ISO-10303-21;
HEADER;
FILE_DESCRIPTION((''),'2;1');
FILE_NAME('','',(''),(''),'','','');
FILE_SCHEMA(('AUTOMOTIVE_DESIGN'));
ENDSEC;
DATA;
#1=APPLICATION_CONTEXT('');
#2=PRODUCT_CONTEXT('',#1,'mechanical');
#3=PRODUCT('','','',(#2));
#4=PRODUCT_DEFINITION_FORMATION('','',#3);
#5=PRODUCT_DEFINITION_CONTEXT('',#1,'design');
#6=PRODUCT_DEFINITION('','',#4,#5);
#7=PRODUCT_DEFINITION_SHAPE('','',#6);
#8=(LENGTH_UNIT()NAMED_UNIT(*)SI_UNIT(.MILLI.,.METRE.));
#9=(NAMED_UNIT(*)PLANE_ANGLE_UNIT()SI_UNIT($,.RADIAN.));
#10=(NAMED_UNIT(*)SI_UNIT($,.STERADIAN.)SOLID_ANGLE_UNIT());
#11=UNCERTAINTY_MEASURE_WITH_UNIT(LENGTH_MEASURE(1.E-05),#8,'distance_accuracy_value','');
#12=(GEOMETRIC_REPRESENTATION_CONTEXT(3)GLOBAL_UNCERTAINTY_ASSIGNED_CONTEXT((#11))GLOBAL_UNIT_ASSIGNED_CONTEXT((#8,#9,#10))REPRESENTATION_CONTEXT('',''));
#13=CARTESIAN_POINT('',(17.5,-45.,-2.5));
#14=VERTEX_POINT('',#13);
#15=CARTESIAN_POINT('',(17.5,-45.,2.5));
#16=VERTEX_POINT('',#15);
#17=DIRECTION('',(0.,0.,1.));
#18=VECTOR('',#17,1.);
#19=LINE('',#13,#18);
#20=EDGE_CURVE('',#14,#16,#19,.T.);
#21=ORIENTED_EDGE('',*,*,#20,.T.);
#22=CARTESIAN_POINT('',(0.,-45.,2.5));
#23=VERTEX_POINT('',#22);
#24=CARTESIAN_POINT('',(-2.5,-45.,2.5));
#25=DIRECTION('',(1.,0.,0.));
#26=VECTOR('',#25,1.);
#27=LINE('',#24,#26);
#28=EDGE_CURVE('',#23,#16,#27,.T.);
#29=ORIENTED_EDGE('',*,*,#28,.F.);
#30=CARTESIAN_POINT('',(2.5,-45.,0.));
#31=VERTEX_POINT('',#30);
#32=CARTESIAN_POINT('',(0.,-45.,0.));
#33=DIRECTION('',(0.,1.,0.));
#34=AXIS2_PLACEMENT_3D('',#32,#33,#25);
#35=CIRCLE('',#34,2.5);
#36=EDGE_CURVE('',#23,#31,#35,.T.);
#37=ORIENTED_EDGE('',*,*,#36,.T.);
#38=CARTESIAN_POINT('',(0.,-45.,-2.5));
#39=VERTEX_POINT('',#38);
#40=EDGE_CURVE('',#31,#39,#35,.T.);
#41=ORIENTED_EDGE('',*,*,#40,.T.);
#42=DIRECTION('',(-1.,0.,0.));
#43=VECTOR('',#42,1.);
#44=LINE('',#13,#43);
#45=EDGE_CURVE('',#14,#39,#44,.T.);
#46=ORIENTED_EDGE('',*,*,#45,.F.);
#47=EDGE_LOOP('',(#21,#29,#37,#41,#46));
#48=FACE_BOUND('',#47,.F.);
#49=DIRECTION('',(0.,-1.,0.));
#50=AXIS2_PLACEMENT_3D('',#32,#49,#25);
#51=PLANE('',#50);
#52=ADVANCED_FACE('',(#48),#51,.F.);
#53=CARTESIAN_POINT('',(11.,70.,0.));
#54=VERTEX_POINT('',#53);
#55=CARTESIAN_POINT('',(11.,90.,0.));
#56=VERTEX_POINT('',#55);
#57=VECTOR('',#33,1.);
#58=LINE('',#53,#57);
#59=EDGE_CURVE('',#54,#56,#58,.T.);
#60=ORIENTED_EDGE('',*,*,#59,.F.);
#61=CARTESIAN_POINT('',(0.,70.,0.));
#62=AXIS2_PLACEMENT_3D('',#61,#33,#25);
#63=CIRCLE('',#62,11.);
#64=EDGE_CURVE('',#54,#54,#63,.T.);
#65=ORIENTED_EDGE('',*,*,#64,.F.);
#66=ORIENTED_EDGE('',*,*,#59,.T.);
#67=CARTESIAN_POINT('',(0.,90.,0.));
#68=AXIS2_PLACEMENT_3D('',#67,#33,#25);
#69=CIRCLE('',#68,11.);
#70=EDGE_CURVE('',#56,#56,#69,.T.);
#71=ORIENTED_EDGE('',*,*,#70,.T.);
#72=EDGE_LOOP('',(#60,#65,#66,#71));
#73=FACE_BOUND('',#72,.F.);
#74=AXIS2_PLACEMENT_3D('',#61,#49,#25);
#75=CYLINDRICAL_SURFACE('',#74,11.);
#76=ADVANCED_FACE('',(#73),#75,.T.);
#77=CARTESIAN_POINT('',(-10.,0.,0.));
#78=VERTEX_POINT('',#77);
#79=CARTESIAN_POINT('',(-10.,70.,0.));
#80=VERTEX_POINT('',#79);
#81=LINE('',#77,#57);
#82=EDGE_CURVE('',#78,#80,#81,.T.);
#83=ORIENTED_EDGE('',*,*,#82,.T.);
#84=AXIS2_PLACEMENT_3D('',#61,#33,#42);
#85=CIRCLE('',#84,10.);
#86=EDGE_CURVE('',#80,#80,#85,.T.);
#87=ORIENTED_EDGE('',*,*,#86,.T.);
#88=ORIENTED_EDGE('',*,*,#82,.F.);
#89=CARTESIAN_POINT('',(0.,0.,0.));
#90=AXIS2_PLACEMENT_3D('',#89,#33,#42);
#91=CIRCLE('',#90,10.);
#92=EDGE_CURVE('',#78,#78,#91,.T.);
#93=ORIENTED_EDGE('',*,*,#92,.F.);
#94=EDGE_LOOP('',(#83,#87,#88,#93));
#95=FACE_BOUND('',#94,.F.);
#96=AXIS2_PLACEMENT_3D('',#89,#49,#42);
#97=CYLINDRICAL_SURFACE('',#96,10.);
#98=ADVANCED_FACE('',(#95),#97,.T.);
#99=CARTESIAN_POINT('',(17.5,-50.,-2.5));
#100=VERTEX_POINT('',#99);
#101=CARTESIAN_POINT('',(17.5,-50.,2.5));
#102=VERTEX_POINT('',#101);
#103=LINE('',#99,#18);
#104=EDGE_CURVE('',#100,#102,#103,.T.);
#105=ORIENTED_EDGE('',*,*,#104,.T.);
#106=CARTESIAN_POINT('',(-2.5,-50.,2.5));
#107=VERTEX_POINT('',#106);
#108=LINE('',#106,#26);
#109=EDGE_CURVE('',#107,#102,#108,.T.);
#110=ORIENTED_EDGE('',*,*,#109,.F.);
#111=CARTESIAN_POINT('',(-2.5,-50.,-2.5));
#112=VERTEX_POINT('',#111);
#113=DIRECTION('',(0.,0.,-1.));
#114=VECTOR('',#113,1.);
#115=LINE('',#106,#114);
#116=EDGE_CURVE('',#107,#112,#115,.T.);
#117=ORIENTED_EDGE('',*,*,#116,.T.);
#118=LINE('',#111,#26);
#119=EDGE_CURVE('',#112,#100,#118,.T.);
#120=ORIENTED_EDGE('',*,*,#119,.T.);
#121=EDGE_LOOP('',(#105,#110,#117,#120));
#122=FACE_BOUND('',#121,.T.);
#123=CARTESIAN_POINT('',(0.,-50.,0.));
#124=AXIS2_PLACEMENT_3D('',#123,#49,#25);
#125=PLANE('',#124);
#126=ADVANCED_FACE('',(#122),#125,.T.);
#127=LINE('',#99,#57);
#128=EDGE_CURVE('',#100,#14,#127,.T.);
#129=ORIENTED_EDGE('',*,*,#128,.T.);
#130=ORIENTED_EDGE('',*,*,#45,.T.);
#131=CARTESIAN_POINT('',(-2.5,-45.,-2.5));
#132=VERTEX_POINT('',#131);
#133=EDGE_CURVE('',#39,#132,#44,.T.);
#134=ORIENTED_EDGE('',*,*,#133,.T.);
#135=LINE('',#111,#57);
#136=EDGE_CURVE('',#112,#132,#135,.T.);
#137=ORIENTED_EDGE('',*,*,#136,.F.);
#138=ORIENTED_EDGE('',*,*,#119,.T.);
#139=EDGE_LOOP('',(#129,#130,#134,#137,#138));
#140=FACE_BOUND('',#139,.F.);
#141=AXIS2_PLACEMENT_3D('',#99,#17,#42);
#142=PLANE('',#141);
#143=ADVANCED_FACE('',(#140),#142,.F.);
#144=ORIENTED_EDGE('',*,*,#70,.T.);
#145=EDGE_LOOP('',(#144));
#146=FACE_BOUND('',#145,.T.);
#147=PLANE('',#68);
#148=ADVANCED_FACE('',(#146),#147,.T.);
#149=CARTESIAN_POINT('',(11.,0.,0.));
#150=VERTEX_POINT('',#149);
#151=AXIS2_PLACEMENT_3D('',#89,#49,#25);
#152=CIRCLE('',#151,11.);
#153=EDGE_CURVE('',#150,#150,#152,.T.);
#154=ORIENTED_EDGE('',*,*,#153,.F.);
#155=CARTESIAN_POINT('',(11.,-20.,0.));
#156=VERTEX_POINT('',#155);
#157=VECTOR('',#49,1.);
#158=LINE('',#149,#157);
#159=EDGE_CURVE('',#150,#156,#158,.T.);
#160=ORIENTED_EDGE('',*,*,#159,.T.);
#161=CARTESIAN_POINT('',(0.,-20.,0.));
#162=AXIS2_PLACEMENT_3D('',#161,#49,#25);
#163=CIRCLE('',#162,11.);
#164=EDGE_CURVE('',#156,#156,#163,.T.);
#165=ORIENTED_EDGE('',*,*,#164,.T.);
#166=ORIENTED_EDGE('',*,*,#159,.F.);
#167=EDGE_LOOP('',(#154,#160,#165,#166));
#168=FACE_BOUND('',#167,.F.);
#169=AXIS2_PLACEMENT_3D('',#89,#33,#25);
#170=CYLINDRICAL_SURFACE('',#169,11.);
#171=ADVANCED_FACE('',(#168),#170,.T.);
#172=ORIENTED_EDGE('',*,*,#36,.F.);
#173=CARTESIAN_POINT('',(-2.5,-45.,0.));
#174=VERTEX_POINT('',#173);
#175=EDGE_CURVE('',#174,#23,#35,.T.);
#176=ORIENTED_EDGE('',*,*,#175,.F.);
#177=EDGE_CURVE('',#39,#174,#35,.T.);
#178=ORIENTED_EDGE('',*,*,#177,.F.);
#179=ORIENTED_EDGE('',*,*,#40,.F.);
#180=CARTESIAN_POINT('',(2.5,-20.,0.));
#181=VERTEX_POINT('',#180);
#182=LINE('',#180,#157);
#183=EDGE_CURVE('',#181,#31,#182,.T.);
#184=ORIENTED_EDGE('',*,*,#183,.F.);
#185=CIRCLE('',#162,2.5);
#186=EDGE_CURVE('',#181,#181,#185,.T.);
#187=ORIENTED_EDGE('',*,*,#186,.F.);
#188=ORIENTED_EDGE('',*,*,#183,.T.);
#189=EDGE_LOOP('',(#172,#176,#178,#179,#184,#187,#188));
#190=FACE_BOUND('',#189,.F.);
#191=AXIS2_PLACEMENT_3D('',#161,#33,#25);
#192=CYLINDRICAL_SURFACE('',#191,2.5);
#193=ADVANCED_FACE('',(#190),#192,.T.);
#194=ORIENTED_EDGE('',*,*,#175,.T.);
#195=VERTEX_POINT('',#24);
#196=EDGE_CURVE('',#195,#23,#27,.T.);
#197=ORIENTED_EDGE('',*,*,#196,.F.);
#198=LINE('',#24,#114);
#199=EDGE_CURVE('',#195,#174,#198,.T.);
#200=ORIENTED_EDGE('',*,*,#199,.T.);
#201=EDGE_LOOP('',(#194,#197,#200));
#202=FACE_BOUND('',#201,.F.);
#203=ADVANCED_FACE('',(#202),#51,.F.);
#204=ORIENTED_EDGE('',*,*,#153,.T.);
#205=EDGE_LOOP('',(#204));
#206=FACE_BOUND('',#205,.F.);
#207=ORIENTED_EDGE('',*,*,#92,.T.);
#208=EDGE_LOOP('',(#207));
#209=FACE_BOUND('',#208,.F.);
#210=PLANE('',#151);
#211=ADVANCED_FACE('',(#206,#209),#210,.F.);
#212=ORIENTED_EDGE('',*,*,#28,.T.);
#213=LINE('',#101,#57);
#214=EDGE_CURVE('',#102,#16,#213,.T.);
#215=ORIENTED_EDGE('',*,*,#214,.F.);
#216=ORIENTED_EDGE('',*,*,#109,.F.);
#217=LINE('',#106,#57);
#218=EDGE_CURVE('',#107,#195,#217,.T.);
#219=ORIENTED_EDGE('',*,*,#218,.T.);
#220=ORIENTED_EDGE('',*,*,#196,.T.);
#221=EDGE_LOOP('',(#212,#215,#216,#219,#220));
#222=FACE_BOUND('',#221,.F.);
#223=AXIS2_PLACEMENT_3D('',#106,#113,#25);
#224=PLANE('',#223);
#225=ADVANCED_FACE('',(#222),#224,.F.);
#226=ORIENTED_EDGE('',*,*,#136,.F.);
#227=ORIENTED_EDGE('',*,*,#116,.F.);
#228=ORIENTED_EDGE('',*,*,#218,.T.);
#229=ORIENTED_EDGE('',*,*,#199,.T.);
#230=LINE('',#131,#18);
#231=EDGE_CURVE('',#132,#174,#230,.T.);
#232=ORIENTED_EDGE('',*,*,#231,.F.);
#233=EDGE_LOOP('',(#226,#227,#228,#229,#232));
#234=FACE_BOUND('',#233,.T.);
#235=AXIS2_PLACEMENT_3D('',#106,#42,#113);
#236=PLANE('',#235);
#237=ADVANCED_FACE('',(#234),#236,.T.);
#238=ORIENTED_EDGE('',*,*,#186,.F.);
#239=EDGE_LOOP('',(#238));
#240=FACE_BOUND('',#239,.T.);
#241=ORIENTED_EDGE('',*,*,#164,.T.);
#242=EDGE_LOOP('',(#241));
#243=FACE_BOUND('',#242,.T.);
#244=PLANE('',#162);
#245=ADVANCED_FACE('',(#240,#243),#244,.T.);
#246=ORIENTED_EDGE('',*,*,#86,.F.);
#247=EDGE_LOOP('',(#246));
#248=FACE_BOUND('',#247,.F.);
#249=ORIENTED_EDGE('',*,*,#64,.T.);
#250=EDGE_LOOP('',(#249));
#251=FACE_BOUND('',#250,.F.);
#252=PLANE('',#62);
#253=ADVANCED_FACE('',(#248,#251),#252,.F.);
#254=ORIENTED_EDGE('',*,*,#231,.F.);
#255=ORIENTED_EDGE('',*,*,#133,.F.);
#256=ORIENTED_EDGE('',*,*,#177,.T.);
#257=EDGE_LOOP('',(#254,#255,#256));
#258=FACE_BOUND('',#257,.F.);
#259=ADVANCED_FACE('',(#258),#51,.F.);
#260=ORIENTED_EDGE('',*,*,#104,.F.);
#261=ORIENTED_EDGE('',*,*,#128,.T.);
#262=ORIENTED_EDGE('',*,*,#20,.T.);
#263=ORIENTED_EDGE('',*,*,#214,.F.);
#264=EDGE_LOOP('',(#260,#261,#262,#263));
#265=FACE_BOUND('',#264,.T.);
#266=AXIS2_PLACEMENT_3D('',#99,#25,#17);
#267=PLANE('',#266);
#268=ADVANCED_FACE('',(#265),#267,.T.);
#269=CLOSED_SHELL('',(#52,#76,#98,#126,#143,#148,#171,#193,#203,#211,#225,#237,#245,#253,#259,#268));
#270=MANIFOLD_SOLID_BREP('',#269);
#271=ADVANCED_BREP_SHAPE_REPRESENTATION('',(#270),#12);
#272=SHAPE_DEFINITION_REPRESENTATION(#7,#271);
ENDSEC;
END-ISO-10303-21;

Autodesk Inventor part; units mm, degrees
ref_plane "YZ Plane" through (0, 0, 0) normal (1, 0, 0) x (0, 1, 0)
ref_plane "XZ Plane" through (0, 0, 0) normal (0, 1, 0) x (-1, 0, 0)
ref_plane "XY Plane" through (0, 0, 0) normal (0, 0, 1) x (1, 0, 0)
sketch "Эскиз1" plane through (0, 0, 0) normal (0, 1, 0) x (-1, 0, 0)
  circle A0 centre (0, 0) radius 10
  dimension "d0" = 20
extrude "Выдавливание1" add sketch "Эскиз1" along normal blind 70
thread "Резьба2" size "M20x1.5" class "6g" standard "ANSI Metric M Profile" full length
sketch "Эскиз2" plane through (0, 70, 0) normal (0, 1, 0) x (1, 0, 0)
  point P0 (0, 0)
sketch "Эскиз3" plane through (0, 70, 0) normal (0, 1, 0) x (1, 0, 0)
  circle A0 centre (0, 0) radius 11
  dimension "d7" = 22
extrude "Выдавливание2" add sketch "Эскиз3" along normal blind 20
sketch "Эскиз6" plane through (0, 0, 0) normal (0, -1, 0) x (1, 0, 0)
  circle A0 centre (0, 0) radius 11
extrude "Выдавливание5" add sketch "Эскиз6" along normal blind 20
sketch "Эскиз7" plane through (0, -20, 0) normal (0, -1, 0) x (1, 0, 0)
  circle A0 centre (0, 0) radius 2.5
  dimension "d18" = 5
extrude "Выдавливание6" add sketch "Эскиз7" along normal blind 30
sketch "Эскиз8" plane through (0, -50, 0) normal (0, -1, 0) x (1, 0, 0)
  line L0 (-2.5, 2.5) -> (-2.5, 0) projected
  line L1 (17.5, -2.5) -> (17.5, 2.5) projected
  line L2 (-2.5, 2.5) -> (17.5, 2.5)
  line L3 (17.5, 2.5) -> (17.5, -2.5)
  line L4 (17.5, -2.5) -> (-2.5, -2.5)
  line L5 (-2.5, -2.5) -> (-2.5, 2.5)
  point P0 (0, 0)
extrude "Выдавливание7" add sketch "Эскиз8" against normal blind 5
properties part number "Вал штурвала"
